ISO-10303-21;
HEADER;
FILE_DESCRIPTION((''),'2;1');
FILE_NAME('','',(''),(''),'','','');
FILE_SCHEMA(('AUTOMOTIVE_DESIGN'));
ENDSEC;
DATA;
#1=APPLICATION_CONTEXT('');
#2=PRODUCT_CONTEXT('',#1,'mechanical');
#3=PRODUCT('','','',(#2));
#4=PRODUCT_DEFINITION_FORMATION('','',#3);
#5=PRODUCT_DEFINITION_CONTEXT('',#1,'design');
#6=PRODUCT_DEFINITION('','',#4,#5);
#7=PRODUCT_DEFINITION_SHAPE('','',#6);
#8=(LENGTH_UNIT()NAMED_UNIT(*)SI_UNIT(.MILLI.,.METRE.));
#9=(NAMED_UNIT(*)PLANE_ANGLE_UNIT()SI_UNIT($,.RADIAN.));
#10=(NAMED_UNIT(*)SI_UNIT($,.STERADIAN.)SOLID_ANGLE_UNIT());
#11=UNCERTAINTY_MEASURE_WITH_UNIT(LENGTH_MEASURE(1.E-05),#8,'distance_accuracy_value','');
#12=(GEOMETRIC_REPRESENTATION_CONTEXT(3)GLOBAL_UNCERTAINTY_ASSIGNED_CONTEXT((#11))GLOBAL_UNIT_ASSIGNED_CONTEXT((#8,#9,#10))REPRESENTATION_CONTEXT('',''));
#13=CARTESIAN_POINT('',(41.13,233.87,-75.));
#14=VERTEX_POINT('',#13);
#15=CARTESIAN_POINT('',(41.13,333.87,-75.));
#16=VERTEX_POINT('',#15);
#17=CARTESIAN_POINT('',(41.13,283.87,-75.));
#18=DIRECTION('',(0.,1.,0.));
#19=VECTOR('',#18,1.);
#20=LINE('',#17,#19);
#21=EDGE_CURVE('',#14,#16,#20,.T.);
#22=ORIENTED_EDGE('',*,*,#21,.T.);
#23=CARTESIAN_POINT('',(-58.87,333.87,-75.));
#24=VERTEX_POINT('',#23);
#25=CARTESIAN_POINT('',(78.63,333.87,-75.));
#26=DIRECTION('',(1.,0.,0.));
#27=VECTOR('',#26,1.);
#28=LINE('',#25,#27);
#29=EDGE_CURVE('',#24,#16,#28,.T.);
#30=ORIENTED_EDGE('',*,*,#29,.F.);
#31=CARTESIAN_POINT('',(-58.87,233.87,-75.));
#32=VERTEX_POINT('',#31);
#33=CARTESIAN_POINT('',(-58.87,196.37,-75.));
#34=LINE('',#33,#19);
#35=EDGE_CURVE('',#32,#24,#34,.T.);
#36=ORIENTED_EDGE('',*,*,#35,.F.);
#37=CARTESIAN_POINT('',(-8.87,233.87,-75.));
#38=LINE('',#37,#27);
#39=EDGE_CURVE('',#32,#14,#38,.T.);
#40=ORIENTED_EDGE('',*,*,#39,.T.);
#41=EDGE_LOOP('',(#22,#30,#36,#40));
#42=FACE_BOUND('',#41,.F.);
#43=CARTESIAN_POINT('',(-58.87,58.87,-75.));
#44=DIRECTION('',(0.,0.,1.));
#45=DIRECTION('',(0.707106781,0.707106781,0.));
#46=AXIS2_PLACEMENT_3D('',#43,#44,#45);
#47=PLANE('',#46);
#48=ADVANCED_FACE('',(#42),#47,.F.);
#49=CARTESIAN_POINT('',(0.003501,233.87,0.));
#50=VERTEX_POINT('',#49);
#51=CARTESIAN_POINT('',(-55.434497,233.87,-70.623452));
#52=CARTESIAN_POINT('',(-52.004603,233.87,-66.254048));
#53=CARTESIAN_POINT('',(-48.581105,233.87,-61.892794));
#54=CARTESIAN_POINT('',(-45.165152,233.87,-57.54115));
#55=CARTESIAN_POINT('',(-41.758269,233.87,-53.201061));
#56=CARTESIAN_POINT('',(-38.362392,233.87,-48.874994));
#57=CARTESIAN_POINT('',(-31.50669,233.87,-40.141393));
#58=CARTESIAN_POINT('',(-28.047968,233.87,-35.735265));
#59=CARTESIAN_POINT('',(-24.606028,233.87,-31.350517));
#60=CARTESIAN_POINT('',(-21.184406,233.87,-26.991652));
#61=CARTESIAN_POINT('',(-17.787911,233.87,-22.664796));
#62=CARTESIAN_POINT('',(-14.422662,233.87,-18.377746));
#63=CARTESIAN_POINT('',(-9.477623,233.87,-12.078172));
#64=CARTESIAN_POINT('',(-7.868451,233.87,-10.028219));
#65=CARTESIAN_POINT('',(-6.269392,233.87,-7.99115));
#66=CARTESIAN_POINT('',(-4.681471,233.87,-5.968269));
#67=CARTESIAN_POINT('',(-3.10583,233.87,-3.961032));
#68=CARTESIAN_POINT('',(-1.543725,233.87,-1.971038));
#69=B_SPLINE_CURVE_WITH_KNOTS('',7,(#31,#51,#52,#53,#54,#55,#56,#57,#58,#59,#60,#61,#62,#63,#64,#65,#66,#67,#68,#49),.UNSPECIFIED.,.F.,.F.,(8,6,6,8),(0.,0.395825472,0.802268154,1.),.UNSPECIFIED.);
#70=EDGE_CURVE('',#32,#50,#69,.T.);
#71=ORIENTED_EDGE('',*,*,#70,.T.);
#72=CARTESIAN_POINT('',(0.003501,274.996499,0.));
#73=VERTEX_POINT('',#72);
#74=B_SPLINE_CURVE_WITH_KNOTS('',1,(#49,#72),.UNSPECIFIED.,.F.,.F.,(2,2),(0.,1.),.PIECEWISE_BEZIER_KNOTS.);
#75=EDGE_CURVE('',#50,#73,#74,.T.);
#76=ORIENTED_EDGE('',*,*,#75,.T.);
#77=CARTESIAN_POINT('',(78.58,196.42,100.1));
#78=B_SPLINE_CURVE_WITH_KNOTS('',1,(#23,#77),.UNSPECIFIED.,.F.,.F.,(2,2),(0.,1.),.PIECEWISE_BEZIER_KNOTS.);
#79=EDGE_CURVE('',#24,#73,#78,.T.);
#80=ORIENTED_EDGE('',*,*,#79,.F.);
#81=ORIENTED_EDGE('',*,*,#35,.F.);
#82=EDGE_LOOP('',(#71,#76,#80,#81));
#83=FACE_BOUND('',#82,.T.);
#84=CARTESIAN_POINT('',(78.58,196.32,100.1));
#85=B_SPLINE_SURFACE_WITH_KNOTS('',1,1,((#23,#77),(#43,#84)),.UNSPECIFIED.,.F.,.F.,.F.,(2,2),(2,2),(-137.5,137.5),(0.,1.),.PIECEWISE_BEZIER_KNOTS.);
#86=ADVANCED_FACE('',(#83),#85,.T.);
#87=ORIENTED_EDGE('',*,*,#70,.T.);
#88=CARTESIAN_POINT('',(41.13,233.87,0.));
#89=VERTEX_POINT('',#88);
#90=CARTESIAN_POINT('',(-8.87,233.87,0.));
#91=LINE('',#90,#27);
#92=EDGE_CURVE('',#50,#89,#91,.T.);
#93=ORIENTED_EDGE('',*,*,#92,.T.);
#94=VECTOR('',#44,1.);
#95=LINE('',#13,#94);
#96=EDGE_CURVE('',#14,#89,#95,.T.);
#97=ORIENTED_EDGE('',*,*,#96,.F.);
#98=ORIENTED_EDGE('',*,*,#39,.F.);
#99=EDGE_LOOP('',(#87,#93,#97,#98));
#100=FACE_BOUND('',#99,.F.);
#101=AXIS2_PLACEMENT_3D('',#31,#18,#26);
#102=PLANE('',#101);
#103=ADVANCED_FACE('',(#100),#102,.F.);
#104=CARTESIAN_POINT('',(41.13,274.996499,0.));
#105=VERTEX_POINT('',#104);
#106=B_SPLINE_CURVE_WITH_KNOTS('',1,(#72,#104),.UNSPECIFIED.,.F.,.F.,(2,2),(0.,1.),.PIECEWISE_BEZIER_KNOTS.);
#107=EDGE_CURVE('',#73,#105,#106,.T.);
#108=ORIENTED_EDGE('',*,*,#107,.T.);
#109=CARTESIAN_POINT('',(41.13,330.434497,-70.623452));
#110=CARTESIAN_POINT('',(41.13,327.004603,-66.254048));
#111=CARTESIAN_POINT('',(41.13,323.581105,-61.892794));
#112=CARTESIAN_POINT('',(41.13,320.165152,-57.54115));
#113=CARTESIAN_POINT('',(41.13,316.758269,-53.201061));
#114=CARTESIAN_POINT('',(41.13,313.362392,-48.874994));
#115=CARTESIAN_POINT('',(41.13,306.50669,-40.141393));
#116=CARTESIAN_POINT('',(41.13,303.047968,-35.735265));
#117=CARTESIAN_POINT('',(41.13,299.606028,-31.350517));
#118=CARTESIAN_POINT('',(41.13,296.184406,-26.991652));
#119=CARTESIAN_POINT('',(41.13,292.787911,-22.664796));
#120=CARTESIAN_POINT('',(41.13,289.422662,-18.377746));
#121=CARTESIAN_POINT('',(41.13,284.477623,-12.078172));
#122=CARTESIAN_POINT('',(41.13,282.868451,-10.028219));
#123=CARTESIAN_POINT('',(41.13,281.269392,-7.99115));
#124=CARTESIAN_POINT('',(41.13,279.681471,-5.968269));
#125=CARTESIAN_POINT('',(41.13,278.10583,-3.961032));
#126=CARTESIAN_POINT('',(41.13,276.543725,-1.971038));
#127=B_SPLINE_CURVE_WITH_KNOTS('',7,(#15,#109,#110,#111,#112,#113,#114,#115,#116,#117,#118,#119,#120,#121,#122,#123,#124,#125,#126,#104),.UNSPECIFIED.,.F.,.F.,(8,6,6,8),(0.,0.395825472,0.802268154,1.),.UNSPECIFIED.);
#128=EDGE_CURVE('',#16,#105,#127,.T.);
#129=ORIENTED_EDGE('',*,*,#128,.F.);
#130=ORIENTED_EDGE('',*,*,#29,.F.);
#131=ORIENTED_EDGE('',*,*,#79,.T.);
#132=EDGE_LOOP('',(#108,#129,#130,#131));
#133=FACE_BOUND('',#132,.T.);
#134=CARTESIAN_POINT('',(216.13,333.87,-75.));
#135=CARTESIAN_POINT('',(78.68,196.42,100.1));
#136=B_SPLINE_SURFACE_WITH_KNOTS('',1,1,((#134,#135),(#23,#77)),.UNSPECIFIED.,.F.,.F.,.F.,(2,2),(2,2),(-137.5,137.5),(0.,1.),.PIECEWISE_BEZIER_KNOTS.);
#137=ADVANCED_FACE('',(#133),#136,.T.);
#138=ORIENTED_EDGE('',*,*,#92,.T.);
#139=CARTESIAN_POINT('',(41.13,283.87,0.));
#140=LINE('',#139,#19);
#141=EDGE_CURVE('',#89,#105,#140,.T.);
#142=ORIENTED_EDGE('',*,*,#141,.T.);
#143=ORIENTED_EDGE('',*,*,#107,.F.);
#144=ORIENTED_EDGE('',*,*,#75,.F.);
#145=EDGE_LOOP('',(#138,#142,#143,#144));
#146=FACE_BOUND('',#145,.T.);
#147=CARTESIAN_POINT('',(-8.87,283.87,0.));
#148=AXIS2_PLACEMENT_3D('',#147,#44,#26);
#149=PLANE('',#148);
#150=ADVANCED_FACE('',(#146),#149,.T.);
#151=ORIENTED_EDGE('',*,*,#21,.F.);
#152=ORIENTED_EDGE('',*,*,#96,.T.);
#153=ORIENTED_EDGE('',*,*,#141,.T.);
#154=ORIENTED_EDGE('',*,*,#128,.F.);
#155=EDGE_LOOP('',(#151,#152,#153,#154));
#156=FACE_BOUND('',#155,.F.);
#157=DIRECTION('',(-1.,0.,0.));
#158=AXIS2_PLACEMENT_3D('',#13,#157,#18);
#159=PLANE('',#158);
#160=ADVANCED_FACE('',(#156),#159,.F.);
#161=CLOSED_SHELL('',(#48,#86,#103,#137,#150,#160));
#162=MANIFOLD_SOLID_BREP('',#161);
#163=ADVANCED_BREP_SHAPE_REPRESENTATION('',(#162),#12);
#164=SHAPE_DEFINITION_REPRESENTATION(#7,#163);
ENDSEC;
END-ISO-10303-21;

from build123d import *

# Parameters (mm, degrees)
BOX021_W     = 100
BOX021_H     = 100
BOX021_DEPTH = 75
SKETCH056_W  = 275
SKETCH056_H  = 275
SKETCH057_W  = 0.1
SKETCH057_H  = 0.1


with BuildPart() as cube003:
    # Box021 → Box021 (new body)
    with BuildSketch(Plane(origin=(0, 175, 0), x_dir=(1, 0, 0), z_dir=(0, 0, 1))):
        with Locations((50, 50)):
            Rectangle(BOX021_W, BOX021_H)
    extrude(amount=BOX021_DEPTH)


with BuildPart() as legs004:
    # Sketch056 → Loft020 section 0
    with BuildSketch(Plane.XY):
        with Locations((137.5, 137.5)):
            Rectangle(SKETCH056_W, SKETCH056_H)
    # Sketch057 → Loft020 section 1
    with BuildSketch(Plane.XY.offset(175.1)):
        with Locations((137.5, 137.5)):
            Rectangle(SKETCH057_W, SKETCH057_H)
    loft()

    # Common015: intersect Cube003
    add(cube003.part, mode=Mode.INTERSECT)


with BuildPart() as legs004_1:
    # Common015 placement: moved
    add(legs004.part.moved(Location((-58.87, 58.87, -75))))


solid = legs004_1.part
